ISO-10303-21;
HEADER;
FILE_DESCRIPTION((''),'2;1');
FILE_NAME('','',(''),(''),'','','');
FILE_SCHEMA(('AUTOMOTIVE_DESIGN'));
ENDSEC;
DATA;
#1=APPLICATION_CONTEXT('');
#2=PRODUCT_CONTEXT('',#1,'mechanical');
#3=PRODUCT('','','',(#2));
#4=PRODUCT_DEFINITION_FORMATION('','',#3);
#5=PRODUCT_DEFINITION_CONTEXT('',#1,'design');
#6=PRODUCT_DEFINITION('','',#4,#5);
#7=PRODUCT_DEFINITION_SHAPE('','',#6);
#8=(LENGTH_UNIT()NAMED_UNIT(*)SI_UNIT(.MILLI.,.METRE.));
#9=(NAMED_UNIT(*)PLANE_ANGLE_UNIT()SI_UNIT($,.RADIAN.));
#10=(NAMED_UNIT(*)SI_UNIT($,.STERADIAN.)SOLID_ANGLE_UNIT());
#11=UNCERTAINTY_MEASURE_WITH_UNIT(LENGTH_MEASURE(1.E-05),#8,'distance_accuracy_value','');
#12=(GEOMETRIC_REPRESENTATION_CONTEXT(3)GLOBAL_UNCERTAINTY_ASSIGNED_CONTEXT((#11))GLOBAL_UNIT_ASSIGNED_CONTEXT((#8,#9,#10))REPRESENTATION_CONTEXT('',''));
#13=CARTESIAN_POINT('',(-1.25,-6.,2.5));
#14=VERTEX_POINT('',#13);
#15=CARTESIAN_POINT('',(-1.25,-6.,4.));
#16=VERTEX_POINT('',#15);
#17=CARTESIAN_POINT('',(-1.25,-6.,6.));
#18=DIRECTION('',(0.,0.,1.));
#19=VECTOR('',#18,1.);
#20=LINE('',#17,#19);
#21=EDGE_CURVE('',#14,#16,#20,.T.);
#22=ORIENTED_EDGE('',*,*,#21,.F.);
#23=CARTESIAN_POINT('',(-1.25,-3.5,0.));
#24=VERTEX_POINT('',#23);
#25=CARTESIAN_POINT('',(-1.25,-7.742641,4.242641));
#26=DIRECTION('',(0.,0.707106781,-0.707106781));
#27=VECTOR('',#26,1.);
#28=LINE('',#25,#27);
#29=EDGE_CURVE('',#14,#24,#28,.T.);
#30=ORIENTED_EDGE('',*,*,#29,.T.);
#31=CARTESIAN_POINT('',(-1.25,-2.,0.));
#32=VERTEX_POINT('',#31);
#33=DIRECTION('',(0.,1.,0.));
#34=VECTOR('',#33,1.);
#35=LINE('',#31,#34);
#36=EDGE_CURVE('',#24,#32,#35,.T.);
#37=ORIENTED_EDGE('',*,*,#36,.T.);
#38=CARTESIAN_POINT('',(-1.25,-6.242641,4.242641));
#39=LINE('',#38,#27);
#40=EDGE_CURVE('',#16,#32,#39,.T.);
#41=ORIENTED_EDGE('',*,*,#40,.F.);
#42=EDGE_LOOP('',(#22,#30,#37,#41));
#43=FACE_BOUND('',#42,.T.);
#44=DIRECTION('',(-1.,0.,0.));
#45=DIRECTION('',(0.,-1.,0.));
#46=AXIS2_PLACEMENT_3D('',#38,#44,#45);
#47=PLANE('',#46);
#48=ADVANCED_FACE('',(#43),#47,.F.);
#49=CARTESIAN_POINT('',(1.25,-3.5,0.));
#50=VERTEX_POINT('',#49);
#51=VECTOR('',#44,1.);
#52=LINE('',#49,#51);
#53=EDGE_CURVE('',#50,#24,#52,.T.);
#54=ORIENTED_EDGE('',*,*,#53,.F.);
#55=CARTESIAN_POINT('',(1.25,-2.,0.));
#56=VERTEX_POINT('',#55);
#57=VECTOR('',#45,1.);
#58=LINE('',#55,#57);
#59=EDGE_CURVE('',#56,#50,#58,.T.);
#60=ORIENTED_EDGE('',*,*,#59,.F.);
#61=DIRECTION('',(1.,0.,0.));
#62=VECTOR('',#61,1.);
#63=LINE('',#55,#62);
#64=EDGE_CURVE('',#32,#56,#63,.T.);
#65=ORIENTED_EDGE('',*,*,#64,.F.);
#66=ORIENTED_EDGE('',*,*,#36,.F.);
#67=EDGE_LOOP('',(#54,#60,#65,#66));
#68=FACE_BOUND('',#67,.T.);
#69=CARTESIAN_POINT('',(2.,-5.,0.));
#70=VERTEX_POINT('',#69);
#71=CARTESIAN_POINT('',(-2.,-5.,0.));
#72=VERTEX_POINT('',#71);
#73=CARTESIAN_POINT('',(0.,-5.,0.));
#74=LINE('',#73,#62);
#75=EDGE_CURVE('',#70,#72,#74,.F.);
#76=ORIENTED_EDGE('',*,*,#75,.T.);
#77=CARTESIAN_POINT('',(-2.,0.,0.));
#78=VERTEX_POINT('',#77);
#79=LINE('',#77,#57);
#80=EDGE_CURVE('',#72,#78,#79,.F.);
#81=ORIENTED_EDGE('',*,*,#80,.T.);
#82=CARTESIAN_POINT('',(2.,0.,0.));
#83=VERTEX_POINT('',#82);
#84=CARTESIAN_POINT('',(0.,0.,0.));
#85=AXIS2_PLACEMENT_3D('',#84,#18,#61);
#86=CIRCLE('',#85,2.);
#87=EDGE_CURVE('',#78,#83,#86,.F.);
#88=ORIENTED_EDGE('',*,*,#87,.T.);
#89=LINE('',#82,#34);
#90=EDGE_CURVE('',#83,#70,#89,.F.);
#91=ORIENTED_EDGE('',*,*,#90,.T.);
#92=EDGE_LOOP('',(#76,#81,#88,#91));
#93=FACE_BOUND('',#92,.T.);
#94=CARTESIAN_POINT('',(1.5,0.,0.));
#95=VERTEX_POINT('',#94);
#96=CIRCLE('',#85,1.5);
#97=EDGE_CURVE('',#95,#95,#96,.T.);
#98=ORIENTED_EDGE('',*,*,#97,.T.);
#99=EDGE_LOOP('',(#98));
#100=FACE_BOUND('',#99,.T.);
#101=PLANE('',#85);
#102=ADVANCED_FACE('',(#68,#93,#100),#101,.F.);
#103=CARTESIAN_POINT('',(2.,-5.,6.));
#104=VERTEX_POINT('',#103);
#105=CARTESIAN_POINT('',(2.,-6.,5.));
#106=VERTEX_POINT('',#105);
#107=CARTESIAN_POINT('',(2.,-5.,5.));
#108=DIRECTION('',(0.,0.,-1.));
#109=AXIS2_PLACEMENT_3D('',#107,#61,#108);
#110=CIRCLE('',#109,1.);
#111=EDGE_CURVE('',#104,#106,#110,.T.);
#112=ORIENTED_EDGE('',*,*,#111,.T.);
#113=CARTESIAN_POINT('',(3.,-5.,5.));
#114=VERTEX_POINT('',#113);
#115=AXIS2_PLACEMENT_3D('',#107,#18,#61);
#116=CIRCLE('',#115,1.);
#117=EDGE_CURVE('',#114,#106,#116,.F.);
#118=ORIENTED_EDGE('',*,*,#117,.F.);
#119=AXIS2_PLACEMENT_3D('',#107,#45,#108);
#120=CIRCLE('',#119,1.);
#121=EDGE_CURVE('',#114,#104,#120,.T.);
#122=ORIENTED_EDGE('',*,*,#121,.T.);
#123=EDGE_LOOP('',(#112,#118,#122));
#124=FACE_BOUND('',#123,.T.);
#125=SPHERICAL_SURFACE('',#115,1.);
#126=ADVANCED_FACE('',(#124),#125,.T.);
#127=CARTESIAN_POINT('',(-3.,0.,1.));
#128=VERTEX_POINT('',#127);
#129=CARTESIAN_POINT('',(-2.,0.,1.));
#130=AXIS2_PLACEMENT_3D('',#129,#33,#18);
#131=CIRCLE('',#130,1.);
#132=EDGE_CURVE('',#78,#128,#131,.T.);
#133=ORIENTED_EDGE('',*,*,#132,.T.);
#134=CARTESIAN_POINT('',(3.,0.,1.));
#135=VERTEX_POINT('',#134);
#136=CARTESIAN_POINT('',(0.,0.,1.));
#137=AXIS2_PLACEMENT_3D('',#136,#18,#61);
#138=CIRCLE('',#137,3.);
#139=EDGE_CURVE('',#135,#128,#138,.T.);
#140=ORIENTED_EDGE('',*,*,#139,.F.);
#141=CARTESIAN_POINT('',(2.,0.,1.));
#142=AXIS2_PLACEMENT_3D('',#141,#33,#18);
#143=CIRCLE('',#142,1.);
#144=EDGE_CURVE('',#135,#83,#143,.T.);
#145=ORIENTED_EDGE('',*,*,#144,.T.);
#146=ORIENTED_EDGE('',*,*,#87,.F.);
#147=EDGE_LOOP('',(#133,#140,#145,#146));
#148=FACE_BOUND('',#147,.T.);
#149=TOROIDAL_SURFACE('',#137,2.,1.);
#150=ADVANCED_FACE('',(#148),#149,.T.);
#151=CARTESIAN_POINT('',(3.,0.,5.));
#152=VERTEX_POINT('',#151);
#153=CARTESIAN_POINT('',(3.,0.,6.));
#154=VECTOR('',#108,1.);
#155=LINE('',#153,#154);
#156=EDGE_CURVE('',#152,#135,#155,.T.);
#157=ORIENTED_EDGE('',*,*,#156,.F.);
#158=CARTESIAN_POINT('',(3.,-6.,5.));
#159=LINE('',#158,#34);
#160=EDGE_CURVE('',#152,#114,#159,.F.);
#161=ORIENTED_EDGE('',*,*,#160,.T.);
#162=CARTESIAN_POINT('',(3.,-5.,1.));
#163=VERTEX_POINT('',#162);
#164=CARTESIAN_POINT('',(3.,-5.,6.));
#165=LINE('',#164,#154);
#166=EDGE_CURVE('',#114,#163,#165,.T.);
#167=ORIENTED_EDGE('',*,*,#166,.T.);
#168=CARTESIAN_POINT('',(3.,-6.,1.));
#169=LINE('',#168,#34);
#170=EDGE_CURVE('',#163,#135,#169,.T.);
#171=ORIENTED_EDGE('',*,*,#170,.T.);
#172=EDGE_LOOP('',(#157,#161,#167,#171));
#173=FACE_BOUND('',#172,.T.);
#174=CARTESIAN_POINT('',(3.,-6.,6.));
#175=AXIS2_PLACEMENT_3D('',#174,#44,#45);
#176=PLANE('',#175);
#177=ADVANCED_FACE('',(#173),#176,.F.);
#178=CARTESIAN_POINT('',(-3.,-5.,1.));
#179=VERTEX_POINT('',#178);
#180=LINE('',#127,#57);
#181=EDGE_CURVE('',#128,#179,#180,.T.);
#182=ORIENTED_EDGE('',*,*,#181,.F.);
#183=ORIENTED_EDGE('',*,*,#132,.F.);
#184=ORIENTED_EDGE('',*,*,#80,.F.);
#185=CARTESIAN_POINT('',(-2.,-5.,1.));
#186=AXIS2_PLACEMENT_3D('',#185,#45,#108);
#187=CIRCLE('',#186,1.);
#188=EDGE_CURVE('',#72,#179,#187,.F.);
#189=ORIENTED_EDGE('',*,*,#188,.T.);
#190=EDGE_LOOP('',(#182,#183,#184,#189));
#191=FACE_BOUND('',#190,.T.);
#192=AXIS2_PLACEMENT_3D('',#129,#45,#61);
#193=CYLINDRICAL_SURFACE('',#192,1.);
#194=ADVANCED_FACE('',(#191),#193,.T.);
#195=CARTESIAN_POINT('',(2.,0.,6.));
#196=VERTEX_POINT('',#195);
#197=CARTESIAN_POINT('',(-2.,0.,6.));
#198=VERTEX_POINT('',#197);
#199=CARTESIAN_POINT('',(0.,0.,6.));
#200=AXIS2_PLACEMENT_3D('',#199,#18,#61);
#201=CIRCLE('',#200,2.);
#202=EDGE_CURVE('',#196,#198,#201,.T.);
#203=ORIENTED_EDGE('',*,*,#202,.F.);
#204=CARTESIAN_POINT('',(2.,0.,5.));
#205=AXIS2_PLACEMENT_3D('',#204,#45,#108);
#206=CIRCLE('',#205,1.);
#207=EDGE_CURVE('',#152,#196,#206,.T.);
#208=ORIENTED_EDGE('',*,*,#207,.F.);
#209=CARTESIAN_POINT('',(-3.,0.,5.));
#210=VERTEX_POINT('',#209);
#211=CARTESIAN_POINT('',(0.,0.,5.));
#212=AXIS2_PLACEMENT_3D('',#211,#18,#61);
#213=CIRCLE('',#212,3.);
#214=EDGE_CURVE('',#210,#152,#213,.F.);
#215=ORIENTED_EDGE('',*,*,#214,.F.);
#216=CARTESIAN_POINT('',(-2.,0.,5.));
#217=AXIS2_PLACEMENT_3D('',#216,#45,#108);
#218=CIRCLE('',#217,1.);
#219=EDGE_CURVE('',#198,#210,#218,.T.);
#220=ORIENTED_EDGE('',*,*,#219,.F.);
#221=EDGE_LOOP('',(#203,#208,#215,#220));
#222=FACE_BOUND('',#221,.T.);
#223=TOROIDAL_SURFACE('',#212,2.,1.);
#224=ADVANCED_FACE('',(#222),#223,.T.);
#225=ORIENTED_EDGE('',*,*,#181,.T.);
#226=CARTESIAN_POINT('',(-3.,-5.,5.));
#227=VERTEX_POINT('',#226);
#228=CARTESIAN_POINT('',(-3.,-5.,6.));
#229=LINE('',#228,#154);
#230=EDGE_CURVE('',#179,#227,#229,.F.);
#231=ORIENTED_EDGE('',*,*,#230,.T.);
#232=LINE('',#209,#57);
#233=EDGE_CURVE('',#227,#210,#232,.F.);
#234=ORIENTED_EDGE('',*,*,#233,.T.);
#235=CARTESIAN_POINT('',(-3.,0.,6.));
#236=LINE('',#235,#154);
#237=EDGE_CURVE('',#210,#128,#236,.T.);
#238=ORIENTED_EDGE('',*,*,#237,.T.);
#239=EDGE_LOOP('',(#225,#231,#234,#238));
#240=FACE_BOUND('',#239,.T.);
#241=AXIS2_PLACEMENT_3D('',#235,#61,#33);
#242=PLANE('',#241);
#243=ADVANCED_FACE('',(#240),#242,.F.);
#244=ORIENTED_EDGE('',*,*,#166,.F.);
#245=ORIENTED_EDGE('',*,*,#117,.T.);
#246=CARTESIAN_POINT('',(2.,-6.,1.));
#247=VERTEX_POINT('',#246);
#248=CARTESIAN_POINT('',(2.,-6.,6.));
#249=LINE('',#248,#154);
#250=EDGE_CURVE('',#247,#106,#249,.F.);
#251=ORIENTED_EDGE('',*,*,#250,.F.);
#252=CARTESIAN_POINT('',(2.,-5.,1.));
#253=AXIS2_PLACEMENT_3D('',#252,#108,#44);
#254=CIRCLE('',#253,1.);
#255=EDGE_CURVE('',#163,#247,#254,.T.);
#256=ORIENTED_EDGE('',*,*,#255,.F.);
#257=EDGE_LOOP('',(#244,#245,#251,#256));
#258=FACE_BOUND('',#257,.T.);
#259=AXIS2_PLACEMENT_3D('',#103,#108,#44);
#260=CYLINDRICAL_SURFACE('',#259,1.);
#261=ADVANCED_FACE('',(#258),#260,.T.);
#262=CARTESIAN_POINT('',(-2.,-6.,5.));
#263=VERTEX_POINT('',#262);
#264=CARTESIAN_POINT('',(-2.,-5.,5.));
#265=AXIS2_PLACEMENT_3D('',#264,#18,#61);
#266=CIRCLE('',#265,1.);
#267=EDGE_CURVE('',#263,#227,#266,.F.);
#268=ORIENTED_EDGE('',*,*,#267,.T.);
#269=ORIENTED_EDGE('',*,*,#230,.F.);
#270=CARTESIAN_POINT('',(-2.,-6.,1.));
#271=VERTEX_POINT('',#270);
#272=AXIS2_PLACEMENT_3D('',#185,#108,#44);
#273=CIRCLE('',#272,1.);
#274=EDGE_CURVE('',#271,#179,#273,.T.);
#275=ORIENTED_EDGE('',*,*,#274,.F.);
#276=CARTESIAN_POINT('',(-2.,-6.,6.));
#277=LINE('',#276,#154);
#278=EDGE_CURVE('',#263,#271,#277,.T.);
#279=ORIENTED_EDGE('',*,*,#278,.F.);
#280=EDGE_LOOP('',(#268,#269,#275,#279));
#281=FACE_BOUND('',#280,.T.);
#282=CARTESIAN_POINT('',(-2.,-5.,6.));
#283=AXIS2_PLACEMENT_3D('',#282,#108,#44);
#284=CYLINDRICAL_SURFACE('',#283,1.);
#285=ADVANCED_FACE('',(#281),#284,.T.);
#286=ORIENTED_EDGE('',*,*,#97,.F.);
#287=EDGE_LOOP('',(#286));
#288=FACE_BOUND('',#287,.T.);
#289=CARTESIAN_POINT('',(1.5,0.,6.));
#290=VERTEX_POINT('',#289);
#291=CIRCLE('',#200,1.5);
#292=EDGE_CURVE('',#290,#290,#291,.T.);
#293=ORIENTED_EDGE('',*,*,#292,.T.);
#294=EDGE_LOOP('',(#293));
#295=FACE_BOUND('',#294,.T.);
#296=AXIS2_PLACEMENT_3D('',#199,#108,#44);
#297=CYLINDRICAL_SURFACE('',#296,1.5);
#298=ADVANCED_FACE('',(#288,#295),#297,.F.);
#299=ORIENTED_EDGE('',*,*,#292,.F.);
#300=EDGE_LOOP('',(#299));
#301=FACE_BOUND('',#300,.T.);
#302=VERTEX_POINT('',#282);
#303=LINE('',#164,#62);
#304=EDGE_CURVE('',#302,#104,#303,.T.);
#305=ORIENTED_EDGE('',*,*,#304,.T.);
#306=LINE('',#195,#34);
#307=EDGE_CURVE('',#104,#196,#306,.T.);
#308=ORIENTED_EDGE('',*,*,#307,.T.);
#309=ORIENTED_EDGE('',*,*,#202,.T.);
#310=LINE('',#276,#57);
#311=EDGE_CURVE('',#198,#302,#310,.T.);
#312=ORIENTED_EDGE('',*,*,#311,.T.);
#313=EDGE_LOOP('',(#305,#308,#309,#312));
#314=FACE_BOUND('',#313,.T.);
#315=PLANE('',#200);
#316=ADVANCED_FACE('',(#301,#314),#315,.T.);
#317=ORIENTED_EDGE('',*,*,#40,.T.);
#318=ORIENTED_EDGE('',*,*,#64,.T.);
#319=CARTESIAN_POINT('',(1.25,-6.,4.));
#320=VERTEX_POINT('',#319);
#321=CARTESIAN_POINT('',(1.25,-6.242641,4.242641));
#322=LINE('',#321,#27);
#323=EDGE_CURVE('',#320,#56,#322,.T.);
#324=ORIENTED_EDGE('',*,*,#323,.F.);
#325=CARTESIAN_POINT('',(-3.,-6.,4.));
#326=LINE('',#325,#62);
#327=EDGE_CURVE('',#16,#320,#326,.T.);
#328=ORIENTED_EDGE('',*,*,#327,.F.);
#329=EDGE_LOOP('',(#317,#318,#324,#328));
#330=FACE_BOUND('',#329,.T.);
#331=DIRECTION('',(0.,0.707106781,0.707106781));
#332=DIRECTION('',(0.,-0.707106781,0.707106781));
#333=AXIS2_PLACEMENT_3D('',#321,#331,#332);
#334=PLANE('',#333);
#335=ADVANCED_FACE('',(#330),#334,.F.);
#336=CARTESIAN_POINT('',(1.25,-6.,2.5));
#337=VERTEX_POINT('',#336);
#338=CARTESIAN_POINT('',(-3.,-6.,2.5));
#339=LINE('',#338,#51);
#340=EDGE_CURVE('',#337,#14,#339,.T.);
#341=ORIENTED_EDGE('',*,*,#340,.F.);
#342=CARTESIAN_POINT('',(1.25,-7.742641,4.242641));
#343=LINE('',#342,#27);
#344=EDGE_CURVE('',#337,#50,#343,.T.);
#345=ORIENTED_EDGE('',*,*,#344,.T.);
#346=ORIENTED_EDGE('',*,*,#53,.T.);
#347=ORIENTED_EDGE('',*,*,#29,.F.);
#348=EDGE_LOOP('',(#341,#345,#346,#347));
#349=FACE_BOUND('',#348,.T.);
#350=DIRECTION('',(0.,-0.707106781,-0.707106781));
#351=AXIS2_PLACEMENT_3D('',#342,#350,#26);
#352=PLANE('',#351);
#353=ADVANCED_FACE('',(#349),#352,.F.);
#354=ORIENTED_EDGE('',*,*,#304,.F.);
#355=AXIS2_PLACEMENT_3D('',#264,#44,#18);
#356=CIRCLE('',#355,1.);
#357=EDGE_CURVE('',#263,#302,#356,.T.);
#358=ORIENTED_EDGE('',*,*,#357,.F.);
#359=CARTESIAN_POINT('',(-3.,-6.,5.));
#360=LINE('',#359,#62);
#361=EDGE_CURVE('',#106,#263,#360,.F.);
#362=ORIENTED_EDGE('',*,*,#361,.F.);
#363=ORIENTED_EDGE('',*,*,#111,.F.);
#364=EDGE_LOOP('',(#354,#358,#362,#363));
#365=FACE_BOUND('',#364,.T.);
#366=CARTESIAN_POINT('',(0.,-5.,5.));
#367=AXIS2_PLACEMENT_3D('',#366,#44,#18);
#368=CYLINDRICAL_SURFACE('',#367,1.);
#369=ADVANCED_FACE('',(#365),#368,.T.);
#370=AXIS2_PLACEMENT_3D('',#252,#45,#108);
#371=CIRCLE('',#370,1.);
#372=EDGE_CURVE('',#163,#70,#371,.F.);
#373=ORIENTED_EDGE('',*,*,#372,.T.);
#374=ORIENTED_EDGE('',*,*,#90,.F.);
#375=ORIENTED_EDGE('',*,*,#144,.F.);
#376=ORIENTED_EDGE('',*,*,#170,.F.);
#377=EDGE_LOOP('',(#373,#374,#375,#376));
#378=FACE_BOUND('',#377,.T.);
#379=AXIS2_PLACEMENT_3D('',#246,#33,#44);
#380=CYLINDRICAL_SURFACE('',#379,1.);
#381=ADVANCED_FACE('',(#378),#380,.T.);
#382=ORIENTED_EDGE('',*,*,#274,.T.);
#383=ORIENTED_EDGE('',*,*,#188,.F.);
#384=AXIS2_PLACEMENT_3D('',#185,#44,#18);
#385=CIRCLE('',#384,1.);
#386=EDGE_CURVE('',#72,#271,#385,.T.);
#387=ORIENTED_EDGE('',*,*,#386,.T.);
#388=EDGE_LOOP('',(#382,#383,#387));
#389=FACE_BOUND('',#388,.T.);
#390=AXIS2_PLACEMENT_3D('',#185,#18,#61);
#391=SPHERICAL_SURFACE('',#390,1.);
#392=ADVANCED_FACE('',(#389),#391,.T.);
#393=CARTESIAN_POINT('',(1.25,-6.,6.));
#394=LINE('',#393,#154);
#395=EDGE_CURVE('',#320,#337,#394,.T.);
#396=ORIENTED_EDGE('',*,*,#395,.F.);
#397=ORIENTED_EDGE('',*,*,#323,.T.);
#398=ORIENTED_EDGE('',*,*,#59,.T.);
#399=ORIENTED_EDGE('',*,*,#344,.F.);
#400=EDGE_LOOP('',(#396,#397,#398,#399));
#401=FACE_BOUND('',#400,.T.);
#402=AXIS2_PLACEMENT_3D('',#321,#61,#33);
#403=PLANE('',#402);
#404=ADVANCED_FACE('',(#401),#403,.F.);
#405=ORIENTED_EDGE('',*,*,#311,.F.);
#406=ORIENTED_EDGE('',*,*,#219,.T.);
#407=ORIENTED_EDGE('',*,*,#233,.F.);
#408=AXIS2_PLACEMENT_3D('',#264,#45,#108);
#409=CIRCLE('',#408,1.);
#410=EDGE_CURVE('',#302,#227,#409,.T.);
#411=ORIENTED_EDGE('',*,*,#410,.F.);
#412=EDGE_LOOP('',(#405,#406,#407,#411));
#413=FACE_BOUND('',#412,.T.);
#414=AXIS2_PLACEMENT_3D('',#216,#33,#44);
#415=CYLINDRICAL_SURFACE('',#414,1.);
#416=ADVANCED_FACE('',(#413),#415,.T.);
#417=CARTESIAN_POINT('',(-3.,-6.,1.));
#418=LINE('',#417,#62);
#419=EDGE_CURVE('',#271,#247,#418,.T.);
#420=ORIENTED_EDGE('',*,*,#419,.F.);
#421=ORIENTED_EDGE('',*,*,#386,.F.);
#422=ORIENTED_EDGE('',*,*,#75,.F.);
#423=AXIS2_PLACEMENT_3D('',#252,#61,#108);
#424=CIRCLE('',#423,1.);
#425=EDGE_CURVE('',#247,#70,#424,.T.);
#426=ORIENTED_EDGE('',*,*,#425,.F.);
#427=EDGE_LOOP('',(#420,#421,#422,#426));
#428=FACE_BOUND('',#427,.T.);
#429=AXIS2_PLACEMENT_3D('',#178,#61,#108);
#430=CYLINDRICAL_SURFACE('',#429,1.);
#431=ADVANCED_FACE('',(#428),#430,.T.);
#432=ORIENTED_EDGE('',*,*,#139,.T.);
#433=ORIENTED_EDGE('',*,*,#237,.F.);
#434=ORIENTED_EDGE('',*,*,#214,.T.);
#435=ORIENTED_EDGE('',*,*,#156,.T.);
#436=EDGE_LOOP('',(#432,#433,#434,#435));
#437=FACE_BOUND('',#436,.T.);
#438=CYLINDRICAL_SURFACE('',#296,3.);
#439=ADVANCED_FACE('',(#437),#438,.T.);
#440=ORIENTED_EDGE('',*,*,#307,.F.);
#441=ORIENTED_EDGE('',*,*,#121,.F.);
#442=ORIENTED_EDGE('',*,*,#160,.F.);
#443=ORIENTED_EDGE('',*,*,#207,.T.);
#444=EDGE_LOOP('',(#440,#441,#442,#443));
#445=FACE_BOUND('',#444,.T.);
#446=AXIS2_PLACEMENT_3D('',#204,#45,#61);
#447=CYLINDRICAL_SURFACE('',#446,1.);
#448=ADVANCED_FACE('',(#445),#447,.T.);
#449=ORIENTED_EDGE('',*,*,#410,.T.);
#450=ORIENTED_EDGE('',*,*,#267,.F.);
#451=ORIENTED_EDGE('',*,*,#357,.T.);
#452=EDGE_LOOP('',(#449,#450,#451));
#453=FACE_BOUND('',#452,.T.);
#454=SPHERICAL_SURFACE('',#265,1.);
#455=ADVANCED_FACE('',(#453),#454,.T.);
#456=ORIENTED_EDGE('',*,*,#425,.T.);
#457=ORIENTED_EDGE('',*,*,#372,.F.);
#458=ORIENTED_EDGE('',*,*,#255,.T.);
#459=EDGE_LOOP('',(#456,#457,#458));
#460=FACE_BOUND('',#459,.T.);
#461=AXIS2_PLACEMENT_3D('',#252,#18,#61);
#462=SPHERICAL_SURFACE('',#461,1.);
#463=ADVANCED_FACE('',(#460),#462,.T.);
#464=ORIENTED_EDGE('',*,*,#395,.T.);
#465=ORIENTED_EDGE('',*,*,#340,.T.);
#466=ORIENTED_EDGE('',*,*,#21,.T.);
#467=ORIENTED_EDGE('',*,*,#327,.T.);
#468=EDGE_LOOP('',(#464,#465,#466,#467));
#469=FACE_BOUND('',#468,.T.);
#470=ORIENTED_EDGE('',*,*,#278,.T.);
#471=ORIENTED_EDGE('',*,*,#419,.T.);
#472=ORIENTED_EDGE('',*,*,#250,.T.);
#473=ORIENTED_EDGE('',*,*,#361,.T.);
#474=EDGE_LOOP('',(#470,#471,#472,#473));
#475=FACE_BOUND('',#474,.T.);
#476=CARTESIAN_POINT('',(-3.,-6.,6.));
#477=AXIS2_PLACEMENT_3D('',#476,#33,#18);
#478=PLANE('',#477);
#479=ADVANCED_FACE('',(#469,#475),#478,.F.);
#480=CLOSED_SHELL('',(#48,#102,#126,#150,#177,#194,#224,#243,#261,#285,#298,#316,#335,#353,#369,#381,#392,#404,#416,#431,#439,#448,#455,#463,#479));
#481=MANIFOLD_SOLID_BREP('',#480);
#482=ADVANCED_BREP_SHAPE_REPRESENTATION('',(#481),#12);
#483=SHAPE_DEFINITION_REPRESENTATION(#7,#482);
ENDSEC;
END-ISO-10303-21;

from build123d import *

# Parameters (mm, degrees)
CROQUIS1_R              = 1.5
SALIENTE_EXTRUIR1_DEPTH = 6
CROQUIS2_W              = 2.5
CROQUIS2_H              = 1.5
CORTAR_EXTRUIR1_DEPTH   = 6
REDONDEO3_R             = 1


with BuildPart() as part:
    # Croquis1 → Saliente-Extruir1 (new body)
    with BuildSketch(Plane.XY):
        with BuildLine():
            Line((-3, 0), (-3, -6))
            Line((-3, -6), (3, -6))
            Line((3, -6), (3, 0))
            ThreePointArc((3, 0), (0, 3), (-3, 0))
        make_face()
        Circle(CROQUIS1_R, mode=Mode.SUBTRACT)
    extrude(amount=SALIENTE_EXTRUIR1_DEPTH)

    # Croquis2 → Cortar-Extruir1 (cut, along a direction that is not the sketch's normal)
    with BuildSketch(Plane(origin=(0, 0, 0), x_dir=(-1, 0, 0), z_dir=(0, 0, -1))):
        with Locations((0, -2.75)):
            Rectangle(CROQUIS2_W, CROQUIS2_H)
    extrude(amount=-CORTAR_EXTRUIR1_DEPTH, dir=(0, 0.7071067811865436, -0.7071067811865515), mode=Mode.SUBTRACT)

    # Redondeo3
    redondeo3_edges = [part.edges().sort_by_distance(p)[0] for p in [
        (0, -6, 6),
        (3, -3, 6),
        (0, 3, 6),
        (3, -3, 0),
        (0, -6, 0),
        (-3, -3, 0),
        (0, 3, 0),
        (-3, -3, 6),
        (3, -6, 3),
        (-3, -6, 3),
    ]]
    fillet(redondeo3_edges, radius=REDONDEO3_R)


solid = part.part
